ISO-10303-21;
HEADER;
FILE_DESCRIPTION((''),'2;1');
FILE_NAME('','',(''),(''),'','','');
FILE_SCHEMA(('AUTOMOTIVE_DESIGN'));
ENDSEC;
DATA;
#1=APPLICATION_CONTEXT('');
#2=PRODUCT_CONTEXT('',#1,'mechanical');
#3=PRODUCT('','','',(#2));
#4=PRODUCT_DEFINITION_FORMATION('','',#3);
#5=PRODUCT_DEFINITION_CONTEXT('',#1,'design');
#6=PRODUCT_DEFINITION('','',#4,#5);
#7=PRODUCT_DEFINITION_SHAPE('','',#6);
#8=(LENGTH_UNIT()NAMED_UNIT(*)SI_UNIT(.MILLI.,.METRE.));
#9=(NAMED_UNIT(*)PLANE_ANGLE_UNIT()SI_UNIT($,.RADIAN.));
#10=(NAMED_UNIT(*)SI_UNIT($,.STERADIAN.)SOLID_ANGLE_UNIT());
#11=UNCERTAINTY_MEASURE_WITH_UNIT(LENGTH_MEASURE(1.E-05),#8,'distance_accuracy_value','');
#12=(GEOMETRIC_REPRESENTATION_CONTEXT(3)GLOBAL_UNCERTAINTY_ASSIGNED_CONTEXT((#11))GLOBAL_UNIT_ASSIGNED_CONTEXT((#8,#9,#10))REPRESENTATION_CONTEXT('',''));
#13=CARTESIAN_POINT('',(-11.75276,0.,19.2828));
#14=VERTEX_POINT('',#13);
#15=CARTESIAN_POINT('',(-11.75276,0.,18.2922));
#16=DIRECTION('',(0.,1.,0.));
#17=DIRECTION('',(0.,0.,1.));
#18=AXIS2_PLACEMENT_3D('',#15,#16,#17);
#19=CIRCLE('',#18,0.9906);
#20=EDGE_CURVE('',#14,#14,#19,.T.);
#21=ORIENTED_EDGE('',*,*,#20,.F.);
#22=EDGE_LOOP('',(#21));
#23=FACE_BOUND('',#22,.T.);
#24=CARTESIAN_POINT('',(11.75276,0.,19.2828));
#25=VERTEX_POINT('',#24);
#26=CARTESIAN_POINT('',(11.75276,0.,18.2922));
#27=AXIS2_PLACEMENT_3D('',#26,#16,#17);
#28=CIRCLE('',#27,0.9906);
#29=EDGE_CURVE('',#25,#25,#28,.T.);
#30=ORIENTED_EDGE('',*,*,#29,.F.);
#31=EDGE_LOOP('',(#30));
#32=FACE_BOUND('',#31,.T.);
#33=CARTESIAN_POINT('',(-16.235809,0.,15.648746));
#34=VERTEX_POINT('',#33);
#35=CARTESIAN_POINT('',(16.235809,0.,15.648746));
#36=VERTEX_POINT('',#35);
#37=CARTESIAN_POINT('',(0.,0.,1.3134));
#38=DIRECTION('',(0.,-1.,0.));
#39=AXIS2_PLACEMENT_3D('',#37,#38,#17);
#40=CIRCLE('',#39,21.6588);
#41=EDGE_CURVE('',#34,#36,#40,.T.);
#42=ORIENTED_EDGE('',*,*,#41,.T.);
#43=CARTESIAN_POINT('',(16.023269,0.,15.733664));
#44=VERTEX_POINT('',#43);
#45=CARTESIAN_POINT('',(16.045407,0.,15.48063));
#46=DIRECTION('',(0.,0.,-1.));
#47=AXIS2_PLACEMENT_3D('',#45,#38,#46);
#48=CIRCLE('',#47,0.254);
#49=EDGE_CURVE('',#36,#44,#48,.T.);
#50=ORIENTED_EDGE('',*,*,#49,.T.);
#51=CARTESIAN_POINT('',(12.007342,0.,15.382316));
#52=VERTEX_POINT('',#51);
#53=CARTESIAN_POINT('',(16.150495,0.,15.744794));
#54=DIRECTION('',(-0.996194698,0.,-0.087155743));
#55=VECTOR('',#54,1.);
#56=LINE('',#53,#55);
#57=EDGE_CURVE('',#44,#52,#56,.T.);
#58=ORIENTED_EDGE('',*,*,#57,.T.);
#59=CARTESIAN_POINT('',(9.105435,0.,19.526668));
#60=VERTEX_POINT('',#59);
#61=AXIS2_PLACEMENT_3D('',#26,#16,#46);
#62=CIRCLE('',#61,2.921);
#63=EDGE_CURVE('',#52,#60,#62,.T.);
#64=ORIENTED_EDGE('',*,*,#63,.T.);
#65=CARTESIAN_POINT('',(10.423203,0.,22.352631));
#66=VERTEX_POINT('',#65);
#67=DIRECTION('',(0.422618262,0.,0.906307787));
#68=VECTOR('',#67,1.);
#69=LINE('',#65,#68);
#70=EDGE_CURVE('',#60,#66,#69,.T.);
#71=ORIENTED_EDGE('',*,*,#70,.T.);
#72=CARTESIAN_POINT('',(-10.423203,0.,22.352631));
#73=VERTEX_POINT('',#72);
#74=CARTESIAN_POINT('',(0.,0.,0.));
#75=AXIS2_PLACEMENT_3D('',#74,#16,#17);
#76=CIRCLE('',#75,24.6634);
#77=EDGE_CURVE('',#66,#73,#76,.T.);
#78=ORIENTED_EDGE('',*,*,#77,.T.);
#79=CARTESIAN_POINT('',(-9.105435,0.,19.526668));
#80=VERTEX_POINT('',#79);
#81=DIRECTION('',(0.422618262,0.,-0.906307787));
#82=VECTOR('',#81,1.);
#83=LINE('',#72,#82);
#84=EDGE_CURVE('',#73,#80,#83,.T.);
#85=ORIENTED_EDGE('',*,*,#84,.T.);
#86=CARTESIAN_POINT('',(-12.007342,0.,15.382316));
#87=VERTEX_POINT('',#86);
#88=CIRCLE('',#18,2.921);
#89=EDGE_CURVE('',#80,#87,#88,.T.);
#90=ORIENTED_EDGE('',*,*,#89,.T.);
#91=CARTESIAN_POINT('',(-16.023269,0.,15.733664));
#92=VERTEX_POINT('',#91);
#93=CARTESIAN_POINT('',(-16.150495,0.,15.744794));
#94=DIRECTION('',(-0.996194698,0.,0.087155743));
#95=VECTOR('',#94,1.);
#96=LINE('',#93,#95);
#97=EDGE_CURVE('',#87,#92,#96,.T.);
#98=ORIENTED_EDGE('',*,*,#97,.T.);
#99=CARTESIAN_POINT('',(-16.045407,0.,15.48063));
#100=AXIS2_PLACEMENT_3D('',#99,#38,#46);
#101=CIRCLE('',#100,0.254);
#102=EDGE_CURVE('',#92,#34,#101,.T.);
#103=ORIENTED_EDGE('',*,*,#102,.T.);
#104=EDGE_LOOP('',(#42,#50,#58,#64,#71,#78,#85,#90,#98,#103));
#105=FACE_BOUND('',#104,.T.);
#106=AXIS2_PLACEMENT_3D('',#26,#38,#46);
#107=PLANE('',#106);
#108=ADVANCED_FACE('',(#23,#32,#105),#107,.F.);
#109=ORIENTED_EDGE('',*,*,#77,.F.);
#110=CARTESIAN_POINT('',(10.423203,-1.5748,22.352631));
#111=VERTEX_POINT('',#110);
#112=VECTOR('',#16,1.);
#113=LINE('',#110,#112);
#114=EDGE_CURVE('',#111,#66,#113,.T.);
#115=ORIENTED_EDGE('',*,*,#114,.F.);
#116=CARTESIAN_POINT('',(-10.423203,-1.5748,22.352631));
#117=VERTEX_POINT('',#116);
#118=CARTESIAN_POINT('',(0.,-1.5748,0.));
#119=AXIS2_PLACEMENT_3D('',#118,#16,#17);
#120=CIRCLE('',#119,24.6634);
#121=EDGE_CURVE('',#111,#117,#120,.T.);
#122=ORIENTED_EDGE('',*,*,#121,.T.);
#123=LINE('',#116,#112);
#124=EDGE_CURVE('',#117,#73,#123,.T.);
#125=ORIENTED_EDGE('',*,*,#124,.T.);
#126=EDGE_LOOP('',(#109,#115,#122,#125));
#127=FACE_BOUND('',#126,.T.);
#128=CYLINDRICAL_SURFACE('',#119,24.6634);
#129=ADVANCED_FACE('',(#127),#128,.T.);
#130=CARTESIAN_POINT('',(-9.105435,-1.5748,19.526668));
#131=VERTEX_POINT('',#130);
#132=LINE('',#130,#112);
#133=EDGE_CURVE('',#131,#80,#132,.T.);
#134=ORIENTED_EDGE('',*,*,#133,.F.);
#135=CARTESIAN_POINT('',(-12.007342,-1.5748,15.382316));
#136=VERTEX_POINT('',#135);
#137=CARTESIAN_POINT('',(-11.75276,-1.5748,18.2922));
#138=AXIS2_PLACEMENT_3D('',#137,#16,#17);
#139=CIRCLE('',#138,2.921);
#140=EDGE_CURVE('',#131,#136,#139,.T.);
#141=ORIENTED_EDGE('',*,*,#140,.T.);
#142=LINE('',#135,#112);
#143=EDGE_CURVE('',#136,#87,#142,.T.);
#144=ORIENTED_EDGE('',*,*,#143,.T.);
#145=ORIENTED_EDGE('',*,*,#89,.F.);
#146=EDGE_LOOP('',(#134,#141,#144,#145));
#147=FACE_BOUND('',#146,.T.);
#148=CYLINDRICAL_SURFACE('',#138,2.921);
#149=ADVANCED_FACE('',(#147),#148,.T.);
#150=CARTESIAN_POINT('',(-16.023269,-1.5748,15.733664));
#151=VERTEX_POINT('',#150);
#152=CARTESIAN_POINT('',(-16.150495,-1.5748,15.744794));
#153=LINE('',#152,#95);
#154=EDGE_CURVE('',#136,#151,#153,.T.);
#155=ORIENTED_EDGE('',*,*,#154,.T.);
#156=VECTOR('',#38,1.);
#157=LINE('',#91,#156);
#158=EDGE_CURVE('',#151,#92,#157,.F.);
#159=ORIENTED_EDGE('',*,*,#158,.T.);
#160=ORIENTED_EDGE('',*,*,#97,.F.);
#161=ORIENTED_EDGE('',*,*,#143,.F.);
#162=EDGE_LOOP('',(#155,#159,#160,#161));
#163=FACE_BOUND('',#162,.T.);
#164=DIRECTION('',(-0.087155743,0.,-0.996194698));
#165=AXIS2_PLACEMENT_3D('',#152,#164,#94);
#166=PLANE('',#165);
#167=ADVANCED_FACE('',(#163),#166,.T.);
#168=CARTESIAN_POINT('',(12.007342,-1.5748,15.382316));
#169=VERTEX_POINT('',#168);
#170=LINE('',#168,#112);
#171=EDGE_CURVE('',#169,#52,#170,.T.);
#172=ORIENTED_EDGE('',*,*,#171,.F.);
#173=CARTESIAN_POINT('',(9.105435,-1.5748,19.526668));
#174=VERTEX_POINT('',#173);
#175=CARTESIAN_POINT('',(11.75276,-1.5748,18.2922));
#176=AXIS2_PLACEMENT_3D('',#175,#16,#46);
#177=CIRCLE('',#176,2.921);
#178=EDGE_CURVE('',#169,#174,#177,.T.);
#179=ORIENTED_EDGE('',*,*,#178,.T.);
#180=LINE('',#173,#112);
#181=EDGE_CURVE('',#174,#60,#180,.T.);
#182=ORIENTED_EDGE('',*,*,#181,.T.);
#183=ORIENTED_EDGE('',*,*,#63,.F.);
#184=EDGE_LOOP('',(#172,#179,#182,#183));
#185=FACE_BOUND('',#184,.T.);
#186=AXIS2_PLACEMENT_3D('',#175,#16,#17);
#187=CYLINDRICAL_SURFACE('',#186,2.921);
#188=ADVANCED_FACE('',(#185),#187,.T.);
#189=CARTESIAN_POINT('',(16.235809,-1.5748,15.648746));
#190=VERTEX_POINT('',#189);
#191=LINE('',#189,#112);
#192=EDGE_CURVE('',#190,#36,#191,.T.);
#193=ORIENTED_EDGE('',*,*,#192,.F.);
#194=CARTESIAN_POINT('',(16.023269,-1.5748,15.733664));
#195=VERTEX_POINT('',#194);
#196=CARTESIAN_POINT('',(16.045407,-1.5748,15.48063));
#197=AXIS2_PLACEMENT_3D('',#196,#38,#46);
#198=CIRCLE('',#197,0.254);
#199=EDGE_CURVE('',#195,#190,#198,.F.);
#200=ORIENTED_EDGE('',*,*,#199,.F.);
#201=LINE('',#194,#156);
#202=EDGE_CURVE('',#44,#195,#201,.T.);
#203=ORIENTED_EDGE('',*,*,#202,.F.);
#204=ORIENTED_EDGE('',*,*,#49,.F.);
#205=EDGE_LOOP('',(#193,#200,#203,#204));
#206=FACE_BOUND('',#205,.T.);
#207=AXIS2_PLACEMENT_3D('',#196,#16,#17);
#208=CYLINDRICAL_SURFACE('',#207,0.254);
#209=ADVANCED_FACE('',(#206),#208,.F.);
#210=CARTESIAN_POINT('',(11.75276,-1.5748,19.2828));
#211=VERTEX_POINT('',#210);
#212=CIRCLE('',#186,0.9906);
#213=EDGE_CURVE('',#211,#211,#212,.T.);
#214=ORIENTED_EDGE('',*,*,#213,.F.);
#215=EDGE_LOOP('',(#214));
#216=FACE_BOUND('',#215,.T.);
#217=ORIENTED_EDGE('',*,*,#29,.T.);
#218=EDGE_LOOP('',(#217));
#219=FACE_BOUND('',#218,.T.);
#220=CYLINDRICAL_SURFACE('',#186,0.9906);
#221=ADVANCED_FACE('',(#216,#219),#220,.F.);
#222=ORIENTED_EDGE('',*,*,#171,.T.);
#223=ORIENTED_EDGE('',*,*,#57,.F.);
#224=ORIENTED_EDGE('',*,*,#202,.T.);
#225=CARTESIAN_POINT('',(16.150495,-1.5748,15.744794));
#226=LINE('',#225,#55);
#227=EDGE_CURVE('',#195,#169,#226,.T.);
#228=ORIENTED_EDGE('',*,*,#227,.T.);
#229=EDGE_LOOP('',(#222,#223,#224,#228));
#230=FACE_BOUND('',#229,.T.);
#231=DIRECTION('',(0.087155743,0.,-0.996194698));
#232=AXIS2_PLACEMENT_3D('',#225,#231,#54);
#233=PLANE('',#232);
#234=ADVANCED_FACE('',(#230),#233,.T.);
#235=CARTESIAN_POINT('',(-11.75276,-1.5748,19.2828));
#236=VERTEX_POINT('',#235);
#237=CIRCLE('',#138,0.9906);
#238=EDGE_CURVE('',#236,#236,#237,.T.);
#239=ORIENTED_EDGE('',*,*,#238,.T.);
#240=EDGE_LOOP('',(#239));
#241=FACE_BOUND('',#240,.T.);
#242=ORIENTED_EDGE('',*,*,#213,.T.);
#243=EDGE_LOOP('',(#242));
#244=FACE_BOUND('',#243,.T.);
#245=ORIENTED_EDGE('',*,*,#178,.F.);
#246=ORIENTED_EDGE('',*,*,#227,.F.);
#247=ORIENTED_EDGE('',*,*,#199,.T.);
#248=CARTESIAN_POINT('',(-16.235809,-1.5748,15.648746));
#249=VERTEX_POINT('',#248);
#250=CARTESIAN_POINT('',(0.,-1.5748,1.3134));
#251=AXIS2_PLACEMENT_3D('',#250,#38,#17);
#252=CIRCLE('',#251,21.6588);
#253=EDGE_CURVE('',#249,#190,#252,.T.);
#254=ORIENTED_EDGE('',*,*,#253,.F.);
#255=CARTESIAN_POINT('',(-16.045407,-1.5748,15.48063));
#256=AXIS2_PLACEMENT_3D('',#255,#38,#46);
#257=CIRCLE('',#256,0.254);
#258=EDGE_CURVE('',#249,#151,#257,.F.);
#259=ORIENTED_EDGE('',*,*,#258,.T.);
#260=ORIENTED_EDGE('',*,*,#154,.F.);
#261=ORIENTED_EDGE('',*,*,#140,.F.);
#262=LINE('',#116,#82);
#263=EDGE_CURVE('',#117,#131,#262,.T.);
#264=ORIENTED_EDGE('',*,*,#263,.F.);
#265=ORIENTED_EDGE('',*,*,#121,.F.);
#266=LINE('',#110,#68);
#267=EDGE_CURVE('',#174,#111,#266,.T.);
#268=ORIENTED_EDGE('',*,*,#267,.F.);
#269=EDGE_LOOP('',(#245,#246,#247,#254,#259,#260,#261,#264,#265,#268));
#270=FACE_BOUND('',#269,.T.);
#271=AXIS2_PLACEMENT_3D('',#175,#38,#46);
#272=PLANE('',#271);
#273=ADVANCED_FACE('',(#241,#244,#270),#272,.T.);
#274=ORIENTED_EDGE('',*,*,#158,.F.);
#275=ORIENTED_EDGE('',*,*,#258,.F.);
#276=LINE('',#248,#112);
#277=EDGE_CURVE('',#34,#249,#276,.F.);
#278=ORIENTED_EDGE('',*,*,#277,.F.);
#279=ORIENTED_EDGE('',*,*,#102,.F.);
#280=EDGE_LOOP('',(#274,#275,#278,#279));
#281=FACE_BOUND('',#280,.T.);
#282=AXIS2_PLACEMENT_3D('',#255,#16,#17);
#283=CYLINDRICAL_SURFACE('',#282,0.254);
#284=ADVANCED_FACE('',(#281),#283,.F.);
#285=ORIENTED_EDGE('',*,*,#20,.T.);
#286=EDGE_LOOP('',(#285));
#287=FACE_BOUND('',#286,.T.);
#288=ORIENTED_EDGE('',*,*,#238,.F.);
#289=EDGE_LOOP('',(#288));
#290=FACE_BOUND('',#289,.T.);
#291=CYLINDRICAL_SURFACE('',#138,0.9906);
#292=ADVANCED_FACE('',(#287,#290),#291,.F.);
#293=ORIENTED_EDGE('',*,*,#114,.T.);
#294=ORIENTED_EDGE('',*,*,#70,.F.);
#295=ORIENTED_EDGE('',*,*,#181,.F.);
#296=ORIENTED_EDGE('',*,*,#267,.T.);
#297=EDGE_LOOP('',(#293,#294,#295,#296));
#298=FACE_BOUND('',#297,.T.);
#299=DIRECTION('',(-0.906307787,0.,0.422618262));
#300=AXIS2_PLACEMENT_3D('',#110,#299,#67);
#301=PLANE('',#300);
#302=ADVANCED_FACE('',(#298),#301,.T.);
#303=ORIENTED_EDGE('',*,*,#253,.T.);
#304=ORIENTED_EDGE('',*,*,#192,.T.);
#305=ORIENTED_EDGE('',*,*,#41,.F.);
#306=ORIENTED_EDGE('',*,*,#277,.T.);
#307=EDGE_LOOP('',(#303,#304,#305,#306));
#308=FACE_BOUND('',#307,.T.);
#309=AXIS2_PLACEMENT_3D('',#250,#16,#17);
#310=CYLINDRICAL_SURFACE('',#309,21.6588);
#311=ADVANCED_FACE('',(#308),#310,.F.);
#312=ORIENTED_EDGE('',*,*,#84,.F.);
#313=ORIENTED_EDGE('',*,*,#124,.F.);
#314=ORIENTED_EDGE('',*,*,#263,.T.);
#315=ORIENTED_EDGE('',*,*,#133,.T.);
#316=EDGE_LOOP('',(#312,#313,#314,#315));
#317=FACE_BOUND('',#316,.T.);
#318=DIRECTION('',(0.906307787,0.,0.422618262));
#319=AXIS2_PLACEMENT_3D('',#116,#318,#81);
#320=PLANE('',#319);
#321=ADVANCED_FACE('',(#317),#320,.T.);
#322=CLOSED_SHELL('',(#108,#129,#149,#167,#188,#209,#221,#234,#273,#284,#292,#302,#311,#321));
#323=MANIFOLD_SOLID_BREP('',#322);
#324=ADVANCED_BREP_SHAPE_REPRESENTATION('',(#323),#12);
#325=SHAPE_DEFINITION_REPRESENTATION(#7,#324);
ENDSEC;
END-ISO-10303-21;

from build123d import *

# Parameters (mm, degrees)
SKETCH2_R      = 0.9906
EXTRUDE1_DEPTH = 1.5748
FILLET1_R      = 0.254


with BuildPart() as part:
    # Sketch2 → Extrude1 (new body)
    with BuildSketch(Plane(origin=(0, 0, 0), x_dir=(1, 0, 0), z_dir=(0, 1, 0))):
        with BuildLine():
            Line((10.423203237, -22.352631475), (9.105434927, -19.526668214))
            ThreePointArc((9.105434927, -19.526668214), (9.360016851, -16.616783501), (12.007341897, -15.382315559))
            Line((12.007341897, -15.382315559), (16.150495139, -15.744794499))
            ThreePointArc((16.150495139, -15.744794499), (0, 20.3454), (-16.150495139, -15.744794499))
            Line((-16.150495139, -15.744794499), (-12.007341897, -15.382315559))
            ThreePointArc((-12.007341897, -15.382315559), (-9.360016851, -16.616783501), (-9.105434927, -19.526668214))
            Line((-9.105434927, -19.526668214), (-10.423203237, -22.352631475))
            ThreePointArc((-10.423203237, -22.352631475), (0, 24.6634), (10.423203237, -22.352631475))
        make_face()
        with Locations(Location((11.752759973, -18.292200272, 0), (0, 0, 270))):
            Circle(SKETCH2_R, mode=Mode.SUBTRACT)
        with Locations(Location((-11.752759973, -18.292200272, 0), (0, 0, 270))):
            Circle(SKETCH2_R, mode=Mode.SUBTRACT)
    extrude(amount=-EXTRUDE1_DEPTH)

    # Fillet1
    fillet1_edges = [part.edges().sort_by_distance(p)[0] for p in [
        (16.150495139, -0.7874, 15.744794499),
        (-16.150495139, -0.7874, 15.744794499),
    ]]
    fillet(fillet1_edges, radius=FILLET1_R)


solid = part.part
